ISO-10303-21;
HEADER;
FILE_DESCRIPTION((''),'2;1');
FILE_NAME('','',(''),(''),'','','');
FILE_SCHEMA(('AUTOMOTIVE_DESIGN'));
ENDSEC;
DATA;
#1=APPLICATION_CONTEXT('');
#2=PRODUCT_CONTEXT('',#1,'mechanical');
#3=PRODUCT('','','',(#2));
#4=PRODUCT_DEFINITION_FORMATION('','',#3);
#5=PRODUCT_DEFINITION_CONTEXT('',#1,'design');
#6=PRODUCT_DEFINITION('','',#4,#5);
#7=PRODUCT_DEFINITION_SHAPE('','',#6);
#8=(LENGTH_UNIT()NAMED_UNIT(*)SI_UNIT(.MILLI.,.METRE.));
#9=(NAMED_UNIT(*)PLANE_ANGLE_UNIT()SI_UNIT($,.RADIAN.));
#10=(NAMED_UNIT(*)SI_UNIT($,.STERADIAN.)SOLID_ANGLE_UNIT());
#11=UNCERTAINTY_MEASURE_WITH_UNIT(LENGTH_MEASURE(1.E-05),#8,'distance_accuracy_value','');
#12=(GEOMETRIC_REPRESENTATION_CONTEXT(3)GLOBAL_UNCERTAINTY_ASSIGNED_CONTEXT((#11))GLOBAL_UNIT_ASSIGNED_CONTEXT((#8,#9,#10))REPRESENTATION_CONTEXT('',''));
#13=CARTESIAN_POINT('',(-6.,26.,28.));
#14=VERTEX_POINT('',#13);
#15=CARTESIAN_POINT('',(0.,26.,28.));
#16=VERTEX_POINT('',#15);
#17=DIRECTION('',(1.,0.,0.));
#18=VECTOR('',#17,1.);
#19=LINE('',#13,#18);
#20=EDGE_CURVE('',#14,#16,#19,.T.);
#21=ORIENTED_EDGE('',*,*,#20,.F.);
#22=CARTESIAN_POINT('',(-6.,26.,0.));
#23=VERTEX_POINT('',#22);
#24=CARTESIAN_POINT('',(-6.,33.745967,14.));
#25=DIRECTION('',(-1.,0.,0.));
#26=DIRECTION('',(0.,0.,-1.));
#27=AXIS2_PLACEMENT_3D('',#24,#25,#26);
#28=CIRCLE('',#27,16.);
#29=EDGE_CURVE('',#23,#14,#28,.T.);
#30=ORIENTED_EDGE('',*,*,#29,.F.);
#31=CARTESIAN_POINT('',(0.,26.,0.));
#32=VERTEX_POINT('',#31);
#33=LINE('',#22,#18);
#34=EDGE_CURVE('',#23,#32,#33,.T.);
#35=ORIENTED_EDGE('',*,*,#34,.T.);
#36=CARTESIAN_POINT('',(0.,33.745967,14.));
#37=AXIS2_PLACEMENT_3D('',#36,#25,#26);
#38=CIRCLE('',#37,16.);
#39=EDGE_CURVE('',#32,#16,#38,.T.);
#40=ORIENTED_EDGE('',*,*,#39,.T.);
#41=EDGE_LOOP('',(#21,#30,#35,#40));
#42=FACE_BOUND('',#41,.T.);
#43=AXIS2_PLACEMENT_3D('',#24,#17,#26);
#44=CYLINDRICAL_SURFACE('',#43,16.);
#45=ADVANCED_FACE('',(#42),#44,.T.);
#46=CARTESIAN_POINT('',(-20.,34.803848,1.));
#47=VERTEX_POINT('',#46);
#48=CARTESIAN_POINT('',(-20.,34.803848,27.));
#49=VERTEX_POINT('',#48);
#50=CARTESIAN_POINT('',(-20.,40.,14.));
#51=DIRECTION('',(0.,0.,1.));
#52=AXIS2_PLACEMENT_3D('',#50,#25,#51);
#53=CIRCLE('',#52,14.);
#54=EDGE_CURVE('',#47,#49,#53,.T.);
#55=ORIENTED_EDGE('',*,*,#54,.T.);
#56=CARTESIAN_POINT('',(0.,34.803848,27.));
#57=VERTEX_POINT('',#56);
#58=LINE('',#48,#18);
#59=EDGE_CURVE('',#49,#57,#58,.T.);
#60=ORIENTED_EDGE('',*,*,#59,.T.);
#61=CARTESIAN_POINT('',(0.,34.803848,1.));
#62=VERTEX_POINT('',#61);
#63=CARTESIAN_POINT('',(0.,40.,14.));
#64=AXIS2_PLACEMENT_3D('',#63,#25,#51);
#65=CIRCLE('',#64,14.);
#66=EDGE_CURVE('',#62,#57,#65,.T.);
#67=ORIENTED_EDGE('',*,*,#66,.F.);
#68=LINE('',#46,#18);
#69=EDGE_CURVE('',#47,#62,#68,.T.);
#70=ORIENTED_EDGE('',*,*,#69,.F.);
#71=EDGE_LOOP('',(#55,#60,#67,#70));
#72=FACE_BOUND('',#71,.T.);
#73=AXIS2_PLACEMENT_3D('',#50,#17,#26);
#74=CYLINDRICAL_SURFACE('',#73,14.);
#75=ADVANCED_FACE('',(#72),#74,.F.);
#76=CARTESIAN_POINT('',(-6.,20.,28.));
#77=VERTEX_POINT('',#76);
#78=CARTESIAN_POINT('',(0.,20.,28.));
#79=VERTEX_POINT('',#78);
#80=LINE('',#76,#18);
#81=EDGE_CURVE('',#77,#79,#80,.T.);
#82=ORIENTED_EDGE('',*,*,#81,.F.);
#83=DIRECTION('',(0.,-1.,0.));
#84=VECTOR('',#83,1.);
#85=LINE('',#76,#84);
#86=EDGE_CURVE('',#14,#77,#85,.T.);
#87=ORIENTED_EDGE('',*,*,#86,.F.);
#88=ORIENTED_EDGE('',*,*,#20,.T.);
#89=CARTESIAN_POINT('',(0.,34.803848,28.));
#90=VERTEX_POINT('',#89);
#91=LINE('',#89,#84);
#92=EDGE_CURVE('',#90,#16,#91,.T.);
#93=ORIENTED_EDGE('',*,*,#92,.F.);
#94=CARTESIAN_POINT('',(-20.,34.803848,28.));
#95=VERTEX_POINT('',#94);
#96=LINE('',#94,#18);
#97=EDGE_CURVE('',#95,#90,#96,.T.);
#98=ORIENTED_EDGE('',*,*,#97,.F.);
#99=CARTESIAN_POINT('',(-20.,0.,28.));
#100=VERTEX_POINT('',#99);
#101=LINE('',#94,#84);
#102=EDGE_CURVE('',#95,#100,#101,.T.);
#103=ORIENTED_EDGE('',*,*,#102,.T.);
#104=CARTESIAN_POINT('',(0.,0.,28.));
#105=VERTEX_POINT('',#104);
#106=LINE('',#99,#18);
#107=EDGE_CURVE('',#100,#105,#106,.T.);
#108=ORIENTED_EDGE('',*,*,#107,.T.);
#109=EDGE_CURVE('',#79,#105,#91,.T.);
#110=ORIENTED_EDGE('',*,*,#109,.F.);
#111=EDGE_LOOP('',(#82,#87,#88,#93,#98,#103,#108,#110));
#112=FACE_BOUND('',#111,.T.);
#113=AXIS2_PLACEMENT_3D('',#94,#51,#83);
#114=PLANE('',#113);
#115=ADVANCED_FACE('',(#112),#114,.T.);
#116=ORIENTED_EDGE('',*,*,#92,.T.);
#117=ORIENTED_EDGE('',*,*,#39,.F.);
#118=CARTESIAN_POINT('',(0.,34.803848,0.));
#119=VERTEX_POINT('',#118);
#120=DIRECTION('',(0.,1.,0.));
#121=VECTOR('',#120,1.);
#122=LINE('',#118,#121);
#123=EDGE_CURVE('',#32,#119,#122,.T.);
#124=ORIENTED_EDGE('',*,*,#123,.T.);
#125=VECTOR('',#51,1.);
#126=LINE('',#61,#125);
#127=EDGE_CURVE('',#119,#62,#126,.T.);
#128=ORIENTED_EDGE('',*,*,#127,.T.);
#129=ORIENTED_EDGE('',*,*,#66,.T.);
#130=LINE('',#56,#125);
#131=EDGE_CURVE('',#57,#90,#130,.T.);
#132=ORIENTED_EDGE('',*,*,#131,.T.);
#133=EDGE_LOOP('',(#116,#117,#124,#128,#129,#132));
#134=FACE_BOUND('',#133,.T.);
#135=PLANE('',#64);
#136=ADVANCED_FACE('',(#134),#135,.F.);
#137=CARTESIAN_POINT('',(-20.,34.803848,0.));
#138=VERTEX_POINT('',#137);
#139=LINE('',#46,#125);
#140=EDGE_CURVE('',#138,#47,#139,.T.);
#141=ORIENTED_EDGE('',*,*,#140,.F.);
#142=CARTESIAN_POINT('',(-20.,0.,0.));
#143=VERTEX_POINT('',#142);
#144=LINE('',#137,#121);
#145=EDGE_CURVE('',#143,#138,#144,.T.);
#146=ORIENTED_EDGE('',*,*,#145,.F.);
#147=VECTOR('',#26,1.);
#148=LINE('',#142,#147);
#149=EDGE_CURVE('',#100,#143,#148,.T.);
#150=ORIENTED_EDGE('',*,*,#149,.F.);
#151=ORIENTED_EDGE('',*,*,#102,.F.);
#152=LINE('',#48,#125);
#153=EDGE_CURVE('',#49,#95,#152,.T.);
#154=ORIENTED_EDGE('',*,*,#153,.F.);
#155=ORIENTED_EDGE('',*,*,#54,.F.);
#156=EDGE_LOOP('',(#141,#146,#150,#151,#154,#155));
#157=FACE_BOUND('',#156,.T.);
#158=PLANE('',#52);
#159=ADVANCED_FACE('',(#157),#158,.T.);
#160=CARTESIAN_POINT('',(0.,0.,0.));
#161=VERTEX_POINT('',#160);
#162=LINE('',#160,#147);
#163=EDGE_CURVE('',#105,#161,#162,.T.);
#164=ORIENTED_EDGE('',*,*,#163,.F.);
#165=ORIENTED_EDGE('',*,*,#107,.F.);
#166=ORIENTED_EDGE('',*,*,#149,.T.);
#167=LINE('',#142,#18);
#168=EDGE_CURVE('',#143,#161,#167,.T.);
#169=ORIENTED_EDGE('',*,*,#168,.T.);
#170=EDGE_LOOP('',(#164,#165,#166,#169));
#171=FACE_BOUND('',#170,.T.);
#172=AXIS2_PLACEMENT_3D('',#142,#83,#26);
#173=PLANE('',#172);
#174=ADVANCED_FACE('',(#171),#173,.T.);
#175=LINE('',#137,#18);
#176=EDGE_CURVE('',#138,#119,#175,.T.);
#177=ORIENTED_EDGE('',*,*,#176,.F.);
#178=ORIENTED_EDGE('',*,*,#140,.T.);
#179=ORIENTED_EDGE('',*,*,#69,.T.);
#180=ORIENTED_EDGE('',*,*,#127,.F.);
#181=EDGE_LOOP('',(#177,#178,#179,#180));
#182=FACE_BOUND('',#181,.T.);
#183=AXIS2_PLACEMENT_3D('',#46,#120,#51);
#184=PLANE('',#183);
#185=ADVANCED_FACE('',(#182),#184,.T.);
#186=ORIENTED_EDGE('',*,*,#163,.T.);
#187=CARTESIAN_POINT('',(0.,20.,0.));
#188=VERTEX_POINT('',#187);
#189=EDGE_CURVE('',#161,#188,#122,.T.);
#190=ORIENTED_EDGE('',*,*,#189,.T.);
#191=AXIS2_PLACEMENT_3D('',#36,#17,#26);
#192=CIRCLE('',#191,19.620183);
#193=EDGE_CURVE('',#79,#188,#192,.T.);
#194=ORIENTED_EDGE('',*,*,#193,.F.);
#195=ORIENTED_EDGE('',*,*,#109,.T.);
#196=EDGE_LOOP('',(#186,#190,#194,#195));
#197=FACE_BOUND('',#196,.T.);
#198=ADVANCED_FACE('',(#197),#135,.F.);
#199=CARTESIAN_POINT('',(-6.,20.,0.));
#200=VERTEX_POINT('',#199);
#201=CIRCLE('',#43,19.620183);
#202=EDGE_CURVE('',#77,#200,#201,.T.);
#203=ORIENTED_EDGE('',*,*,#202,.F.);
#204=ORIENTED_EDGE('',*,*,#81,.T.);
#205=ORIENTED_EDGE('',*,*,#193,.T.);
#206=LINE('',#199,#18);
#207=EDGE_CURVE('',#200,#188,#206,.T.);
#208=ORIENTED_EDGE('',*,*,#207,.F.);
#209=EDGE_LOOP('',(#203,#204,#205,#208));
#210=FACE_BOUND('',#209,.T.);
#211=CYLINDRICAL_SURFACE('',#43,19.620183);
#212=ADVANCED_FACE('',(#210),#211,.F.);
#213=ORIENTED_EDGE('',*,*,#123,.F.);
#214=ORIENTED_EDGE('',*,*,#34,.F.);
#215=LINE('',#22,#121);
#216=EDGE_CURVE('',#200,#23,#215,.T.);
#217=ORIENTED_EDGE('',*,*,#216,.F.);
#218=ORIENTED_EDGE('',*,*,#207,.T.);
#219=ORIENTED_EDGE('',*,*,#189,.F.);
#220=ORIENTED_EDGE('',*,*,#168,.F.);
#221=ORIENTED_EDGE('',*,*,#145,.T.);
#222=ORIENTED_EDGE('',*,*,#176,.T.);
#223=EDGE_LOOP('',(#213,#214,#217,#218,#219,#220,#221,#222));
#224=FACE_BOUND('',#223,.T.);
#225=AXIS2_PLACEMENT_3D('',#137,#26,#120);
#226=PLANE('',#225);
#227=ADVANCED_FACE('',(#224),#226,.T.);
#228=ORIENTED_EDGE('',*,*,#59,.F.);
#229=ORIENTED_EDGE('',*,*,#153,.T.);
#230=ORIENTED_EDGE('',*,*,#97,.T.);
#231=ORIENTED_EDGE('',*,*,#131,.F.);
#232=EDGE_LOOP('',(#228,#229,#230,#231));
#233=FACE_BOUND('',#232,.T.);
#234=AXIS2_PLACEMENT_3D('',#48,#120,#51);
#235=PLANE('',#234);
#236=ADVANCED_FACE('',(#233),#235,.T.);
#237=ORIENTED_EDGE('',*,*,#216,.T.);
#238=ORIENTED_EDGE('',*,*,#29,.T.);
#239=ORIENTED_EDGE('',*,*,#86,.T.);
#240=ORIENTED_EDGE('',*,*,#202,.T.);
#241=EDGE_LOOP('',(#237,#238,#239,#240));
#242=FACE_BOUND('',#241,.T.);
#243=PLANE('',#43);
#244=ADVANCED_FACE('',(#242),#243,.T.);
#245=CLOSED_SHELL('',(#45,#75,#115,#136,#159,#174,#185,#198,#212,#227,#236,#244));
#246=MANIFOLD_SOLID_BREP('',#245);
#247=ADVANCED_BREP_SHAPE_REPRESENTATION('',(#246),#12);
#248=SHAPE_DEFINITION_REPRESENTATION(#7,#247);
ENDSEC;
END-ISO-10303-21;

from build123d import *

# Parameters (mm, degrees)
BOSS_EXTRUDE2_DEPTH = 20
CUT_EXTRUDE1_DEPTH  = 6


with BuildPart() as part:
    # Sketch1 → Boss-Extrude2 (new body)
    with BuildSketch(Plane(origin=(0, 0, 0), x_dir=(0, 0, -1), z_dir=(1, 0, 0))):
        with BuildLine():
            Line((0, 0), (-28, 0))
            Line((-28, 0), (-28, 34.803847577))
            Line((-28, 34.803847577), (-27, 34.803847577))
            ThreePointArc((-27, 34.803847577), (-14, 26), (-1, 34.803847577))
            Line((-1, 34.803847577), (0, 34.803847577))
            Line((0, 34.803847577), (0, 0))
        make_face()
    extrude(amount=-BOSS_EXTRUDE2_DEPTH)

    # Sketch3 → Cut-Extrude1 (cut)
    with BuildSketch(Plane(origin=(0, 0, 0), x_dir=(0, 0, -1), z_dir=(1, 0, 0))):
        with BuildLine():
            Line((-28, 20), (-28, 26))
            ThreePointArc((-28, 26), (-14, 17.745966692), (0, 26))
            Line((0, 26), (0, 20))
            ThreePointArc((0, 20), (-14, 14.125783199), (-28, 20))
        make_face()
    extrude(amount=-CUT_EXTRUDE1_DEPTH, mode=Mode.SUBTRACT)


solid = part.part
